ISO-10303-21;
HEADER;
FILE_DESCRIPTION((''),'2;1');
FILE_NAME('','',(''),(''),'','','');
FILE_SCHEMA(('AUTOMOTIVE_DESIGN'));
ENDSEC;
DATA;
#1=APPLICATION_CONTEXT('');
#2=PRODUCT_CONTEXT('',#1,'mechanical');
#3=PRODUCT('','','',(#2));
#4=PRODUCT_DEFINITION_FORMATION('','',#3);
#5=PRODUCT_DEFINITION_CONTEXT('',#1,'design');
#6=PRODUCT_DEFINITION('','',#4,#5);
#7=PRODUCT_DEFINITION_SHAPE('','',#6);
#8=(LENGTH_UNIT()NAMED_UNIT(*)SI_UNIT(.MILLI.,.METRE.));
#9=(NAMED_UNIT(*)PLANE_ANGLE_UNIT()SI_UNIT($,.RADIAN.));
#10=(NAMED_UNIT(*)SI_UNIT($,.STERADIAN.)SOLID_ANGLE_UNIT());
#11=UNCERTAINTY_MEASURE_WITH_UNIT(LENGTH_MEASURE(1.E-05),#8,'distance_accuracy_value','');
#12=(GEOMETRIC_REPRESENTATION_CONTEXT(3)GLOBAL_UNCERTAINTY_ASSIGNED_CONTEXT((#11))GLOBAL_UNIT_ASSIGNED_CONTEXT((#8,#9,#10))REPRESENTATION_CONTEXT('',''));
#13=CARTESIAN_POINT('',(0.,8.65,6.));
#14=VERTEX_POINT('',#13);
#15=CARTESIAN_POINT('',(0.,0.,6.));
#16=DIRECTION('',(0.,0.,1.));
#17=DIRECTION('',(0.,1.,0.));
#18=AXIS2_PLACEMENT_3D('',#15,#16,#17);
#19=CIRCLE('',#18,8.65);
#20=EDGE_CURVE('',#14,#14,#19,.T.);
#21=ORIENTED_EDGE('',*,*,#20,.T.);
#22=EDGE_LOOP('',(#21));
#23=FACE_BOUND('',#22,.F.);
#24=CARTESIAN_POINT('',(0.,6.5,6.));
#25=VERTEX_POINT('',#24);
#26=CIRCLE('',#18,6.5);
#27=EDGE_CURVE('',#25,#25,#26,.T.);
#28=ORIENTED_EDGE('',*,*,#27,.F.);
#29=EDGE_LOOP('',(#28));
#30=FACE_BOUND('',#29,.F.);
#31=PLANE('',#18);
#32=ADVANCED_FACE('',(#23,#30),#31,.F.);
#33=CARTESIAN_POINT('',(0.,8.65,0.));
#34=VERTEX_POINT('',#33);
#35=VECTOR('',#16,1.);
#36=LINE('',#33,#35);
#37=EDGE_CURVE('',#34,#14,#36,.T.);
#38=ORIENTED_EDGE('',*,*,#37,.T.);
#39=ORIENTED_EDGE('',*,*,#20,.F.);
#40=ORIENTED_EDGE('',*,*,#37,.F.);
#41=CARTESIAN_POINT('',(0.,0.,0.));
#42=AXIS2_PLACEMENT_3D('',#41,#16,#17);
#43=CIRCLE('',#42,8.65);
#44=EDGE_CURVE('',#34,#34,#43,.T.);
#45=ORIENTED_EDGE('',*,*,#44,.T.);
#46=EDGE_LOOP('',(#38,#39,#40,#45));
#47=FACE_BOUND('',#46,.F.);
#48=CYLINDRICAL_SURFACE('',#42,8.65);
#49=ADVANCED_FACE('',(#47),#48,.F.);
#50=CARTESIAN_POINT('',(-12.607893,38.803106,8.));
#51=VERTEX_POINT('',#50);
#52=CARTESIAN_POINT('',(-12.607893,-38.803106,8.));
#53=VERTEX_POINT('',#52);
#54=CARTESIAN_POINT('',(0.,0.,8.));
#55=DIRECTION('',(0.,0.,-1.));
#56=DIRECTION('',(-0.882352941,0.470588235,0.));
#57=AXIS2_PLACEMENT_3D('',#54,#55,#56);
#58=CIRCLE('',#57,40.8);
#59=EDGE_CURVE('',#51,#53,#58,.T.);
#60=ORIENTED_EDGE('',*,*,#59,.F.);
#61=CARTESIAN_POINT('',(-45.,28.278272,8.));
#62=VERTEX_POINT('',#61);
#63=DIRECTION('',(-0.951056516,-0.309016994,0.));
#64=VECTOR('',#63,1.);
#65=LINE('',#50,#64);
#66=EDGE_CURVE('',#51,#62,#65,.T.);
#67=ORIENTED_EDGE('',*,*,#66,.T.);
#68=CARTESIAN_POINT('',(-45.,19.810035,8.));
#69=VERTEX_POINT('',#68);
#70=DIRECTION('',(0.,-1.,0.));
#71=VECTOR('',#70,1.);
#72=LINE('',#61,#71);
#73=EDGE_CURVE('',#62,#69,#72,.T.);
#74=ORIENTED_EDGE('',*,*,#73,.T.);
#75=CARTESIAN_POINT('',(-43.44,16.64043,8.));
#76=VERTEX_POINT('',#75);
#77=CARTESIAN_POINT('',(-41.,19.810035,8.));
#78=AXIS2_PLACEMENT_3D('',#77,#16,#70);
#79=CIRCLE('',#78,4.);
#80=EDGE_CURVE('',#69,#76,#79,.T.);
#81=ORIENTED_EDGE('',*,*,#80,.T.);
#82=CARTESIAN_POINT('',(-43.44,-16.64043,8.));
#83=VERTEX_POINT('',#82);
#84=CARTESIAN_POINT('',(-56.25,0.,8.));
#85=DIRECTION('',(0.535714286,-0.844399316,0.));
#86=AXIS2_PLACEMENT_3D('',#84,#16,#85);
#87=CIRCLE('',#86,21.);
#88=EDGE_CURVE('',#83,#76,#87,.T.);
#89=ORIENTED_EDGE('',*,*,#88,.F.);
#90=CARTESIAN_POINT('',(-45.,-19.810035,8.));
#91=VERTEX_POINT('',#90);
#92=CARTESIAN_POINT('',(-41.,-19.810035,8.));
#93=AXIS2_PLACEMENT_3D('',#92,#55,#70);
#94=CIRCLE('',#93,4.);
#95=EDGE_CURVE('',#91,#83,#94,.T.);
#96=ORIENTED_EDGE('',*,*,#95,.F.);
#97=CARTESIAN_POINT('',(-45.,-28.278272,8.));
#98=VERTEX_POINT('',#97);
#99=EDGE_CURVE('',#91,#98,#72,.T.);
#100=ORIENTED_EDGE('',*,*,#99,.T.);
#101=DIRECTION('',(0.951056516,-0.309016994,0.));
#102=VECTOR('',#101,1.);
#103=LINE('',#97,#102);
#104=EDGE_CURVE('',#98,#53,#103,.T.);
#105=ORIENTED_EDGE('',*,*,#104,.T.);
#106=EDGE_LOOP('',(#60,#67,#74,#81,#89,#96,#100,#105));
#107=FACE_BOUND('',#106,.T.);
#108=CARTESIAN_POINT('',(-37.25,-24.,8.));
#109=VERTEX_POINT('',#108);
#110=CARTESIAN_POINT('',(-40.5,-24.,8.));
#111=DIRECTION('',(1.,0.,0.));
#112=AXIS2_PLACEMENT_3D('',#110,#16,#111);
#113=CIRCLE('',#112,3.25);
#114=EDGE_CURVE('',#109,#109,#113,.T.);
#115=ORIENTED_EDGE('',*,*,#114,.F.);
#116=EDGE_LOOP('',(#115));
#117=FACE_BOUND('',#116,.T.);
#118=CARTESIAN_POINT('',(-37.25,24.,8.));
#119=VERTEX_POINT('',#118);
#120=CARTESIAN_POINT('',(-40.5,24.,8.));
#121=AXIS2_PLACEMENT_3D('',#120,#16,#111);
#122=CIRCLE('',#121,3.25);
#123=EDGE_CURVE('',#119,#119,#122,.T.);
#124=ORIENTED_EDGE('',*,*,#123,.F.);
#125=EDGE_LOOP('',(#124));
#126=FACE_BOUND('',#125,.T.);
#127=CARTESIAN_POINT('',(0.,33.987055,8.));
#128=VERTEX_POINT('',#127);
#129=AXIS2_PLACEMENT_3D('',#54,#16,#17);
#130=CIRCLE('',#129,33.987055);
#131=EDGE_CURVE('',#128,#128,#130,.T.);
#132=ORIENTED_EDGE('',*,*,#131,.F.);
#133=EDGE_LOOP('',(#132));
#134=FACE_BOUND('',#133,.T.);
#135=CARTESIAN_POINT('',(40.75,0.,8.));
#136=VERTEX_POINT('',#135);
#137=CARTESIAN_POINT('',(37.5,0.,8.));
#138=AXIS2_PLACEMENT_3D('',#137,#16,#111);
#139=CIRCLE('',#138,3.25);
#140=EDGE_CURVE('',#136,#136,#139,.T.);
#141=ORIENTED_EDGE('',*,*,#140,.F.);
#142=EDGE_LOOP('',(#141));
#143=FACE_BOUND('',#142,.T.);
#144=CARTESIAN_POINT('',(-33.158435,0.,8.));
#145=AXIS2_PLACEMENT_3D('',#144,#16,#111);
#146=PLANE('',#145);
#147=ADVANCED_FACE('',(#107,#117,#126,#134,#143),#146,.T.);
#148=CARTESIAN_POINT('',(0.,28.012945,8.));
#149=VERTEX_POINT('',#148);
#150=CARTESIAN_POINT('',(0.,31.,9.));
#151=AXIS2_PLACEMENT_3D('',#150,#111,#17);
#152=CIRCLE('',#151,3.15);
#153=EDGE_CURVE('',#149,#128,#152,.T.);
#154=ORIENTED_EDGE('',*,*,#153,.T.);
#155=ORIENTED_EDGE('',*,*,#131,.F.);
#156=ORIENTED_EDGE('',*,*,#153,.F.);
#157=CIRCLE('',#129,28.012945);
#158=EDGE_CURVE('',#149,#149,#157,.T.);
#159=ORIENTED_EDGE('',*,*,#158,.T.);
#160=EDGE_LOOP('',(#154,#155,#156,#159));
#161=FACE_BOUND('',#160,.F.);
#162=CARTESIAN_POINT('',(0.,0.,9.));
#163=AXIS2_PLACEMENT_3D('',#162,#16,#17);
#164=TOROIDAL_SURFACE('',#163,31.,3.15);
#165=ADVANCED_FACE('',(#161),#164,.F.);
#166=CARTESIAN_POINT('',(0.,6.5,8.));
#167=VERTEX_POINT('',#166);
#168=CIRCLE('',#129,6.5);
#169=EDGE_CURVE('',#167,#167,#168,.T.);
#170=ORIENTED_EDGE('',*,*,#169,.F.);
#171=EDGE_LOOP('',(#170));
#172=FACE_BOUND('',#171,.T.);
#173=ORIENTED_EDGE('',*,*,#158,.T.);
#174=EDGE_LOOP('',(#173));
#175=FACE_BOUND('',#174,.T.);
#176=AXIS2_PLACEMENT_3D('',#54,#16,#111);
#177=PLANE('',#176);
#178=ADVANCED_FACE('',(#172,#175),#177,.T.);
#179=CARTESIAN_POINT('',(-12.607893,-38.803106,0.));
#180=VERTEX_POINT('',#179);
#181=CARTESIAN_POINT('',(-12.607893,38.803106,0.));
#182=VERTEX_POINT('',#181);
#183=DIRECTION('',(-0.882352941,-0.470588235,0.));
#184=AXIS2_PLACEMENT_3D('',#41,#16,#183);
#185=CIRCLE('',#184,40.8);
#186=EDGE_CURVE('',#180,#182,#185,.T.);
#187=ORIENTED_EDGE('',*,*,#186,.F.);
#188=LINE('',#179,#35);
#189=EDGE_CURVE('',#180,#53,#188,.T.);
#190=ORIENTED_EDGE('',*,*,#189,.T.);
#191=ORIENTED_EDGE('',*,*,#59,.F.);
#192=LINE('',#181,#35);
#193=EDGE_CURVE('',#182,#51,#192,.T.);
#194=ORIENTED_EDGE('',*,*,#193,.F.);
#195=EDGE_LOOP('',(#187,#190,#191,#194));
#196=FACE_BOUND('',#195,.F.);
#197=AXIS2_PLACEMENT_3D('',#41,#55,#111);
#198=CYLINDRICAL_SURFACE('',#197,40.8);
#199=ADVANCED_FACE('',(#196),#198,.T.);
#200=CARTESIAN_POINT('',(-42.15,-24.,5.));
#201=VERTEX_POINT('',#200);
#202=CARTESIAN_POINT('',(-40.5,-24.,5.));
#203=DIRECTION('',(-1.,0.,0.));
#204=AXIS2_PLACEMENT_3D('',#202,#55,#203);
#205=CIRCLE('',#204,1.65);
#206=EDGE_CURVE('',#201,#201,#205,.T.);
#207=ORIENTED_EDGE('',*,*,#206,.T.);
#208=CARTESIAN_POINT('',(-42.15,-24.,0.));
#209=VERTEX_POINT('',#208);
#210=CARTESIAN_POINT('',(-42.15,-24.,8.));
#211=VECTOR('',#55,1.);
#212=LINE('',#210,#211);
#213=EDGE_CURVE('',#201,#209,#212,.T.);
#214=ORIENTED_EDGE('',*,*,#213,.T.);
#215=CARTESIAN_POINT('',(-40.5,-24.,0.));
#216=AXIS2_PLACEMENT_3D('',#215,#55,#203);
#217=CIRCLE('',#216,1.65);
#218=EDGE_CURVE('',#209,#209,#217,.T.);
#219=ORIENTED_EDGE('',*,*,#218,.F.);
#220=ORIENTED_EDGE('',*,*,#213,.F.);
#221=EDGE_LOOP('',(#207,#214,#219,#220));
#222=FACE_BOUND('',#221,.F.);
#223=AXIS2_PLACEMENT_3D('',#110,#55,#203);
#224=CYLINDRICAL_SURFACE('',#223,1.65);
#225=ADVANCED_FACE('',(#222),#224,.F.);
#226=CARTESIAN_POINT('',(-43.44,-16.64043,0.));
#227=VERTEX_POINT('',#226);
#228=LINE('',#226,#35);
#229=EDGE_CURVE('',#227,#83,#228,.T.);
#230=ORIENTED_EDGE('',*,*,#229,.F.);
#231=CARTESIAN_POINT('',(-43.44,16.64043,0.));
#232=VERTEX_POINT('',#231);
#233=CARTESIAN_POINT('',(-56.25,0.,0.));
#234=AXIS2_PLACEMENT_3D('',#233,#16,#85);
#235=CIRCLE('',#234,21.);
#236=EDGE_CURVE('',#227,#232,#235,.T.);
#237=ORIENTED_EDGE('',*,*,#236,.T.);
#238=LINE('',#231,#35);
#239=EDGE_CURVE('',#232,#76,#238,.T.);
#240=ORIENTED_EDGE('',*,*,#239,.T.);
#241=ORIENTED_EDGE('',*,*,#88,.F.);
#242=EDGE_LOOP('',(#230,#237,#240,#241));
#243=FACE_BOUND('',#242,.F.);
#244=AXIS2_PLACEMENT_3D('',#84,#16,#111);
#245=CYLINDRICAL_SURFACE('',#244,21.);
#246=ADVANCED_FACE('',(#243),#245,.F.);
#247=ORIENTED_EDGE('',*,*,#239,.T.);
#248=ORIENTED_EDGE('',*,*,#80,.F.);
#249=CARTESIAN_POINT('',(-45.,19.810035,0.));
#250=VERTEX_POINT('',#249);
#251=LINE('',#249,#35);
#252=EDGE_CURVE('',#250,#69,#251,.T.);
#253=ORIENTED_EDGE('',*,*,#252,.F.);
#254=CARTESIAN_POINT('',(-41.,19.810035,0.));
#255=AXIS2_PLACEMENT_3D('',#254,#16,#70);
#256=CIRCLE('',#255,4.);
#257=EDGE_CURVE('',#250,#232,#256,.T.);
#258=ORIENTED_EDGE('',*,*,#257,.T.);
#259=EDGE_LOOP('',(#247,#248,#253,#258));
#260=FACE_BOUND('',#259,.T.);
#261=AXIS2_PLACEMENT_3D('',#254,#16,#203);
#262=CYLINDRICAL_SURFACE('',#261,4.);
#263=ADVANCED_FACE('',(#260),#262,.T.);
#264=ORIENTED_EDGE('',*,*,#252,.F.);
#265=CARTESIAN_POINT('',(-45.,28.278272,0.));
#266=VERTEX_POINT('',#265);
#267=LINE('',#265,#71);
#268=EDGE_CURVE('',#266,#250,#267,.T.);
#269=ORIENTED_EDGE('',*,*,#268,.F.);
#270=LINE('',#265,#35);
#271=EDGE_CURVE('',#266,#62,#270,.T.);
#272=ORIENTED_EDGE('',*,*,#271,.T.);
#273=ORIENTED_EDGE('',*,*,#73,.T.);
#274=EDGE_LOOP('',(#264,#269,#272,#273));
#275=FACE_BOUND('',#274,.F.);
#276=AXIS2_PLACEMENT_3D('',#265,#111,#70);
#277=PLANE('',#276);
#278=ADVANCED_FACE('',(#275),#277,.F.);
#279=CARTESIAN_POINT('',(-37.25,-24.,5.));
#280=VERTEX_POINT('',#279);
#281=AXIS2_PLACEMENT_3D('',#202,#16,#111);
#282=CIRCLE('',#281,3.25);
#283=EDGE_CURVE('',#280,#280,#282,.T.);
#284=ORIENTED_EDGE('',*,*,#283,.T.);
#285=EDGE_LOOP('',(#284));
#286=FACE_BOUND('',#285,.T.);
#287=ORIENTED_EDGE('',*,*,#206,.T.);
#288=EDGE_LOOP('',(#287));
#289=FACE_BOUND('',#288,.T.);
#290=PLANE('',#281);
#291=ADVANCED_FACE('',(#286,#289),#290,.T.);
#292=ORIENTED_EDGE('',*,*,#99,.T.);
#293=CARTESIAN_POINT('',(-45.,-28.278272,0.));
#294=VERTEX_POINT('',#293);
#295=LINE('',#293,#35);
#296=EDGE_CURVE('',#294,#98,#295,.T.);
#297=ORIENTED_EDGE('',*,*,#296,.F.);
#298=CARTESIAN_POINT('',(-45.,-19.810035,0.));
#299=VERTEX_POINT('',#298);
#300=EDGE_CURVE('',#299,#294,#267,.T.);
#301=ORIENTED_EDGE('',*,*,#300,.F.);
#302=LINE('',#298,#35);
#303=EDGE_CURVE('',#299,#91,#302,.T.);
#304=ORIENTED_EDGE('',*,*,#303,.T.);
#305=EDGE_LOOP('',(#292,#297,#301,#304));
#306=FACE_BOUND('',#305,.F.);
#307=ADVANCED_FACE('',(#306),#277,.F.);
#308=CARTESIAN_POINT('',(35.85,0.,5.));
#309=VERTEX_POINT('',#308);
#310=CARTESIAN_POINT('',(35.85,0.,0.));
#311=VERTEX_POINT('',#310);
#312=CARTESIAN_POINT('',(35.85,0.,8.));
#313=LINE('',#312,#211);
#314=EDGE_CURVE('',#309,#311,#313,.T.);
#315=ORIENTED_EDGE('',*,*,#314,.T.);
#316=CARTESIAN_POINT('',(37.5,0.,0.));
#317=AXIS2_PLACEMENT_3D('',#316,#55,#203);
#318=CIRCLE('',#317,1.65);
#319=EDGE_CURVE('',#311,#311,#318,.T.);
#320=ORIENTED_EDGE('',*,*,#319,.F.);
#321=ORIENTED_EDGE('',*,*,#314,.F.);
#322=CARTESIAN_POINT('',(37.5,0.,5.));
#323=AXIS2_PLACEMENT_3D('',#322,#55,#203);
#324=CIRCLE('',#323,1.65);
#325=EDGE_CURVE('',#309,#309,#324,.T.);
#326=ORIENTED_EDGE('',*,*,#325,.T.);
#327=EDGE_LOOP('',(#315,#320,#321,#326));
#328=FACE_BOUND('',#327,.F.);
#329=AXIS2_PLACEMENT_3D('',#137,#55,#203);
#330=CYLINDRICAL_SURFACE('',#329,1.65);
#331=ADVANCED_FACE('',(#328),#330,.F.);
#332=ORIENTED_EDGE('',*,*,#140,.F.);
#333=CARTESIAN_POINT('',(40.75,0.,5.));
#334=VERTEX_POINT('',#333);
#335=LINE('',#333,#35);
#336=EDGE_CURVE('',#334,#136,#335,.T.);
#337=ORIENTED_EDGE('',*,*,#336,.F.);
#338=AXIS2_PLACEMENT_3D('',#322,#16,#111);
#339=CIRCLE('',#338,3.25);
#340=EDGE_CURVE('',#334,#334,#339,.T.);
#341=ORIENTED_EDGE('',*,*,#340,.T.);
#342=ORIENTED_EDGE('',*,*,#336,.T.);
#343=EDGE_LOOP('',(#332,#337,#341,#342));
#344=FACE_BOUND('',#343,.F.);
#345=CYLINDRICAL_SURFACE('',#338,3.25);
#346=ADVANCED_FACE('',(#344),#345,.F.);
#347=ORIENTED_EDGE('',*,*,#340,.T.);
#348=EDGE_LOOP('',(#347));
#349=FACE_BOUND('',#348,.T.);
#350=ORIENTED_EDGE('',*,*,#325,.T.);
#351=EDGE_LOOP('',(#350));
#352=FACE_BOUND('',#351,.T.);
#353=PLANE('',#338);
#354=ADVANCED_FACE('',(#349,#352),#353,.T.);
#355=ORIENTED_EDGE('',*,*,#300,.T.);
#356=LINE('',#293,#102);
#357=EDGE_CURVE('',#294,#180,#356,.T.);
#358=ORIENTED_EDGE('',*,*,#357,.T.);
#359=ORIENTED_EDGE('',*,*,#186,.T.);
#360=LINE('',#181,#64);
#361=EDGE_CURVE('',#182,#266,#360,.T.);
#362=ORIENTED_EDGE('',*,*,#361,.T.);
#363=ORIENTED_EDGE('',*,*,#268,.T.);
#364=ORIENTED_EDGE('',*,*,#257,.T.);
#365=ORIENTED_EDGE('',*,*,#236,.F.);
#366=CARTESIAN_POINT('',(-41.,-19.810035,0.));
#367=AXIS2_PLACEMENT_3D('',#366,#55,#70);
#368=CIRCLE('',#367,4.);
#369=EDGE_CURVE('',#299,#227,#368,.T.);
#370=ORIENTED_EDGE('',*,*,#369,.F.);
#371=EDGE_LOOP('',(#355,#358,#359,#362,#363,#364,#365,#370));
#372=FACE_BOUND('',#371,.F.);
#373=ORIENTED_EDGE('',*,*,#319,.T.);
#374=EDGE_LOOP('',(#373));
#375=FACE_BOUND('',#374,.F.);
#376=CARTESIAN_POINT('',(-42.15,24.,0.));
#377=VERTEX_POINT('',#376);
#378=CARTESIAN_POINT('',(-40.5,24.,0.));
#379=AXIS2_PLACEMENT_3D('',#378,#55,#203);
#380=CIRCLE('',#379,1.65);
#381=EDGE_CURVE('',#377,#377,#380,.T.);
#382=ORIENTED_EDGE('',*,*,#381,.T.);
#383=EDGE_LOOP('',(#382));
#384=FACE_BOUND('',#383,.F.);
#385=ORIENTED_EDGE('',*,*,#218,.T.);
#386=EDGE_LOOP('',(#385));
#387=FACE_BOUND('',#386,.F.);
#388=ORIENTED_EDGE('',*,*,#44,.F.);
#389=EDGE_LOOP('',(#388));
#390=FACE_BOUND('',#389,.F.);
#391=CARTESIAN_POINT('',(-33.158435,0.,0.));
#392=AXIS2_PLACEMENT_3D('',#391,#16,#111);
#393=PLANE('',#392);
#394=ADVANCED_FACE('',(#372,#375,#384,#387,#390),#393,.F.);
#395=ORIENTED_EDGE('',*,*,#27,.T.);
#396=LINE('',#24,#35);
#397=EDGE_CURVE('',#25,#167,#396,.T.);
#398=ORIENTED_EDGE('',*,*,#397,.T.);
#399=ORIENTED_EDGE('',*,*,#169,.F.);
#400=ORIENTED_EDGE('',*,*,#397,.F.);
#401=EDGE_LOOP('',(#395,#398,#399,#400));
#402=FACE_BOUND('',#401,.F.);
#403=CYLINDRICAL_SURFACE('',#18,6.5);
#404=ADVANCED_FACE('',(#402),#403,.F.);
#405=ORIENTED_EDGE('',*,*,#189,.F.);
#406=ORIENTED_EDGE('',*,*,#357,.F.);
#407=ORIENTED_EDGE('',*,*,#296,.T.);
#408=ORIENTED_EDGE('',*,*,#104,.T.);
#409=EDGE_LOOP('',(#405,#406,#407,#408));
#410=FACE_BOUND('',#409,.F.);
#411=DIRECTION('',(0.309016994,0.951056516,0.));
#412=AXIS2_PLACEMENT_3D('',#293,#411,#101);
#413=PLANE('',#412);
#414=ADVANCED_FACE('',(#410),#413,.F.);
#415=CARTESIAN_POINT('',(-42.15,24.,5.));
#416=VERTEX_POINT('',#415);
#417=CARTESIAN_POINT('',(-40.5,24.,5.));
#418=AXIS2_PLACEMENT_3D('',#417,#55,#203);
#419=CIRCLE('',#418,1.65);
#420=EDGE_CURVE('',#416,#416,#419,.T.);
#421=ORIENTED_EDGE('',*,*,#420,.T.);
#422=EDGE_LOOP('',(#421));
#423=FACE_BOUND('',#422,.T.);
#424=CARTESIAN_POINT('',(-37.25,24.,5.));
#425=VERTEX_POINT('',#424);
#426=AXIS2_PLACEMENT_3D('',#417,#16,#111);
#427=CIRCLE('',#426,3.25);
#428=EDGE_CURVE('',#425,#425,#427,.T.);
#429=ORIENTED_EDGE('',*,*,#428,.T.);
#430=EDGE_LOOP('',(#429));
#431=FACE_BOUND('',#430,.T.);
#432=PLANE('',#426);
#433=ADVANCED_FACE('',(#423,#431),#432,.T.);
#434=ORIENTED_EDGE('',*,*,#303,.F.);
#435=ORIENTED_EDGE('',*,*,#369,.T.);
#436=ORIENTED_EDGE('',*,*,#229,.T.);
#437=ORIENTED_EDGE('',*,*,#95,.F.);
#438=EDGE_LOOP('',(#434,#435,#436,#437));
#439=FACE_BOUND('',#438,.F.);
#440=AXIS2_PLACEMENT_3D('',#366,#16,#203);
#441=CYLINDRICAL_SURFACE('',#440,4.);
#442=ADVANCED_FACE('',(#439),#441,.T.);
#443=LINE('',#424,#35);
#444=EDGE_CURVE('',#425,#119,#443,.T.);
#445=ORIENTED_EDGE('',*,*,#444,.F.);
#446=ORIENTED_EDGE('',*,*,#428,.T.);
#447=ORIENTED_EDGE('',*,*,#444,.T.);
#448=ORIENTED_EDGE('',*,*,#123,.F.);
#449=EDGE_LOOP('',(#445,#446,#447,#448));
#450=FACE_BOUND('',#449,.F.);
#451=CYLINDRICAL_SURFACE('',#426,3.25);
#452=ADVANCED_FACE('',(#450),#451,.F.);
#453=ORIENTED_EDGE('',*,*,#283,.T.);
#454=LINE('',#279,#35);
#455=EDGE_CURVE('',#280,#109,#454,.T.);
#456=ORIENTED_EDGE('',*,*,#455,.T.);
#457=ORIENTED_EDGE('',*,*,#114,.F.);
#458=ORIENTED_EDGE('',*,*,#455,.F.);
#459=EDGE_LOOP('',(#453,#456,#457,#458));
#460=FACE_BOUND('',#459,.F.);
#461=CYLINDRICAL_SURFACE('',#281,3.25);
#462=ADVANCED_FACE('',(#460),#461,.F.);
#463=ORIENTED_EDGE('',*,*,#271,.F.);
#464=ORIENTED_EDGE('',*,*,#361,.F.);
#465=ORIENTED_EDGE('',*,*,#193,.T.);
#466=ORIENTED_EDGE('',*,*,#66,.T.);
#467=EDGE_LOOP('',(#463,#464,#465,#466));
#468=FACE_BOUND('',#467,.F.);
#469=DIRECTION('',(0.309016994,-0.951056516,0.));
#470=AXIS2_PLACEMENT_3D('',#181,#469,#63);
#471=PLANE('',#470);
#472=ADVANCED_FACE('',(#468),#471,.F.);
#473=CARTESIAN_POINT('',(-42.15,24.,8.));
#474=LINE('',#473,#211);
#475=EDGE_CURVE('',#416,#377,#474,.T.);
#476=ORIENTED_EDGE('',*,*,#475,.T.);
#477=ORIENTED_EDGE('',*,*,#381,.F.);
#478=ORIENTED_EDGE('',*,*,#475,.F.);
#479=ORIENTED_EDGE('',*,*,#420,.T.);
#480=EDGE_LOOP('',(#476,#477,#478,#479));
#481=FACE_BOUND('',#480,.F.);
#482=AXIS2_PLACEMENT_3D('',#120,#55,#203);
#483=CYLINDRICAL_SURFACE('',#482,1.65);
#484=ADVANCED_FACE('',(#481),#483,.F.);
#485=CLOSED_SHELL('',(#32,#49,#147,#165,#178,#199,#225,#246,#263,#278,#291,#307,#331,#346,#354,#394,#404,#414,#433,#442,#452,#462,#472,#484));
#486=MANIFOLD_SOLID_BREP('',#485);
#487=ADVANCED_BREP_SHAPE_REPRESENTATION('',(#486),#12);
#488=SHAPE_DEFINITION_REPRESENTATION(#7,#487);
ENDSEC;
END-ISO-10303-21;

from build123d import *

# Parameters (mm, degrees)
F0_R            = 40.8
F1_DEPTH        = 8
F4_R            = 3.15
F6_W            = 4.8
F6_H            = 38.4
F7_DEPTH        = 8.001
F9_DEPTH        = 8
F10_R           = 21
F11_DEPTH       = 8.001
F12_R           = 4
F14_D           = 3.3
F14_CBORE_D     = 6.5
F14_CBORE_DEPTH = 3


with BuildPart() as f1:
    # F0 (on Top) → F1 (new body)
    with BuildSketch(Plane.XY):
        Circle(F0_R)
    extrude(amount=F1_DEPTH)

    # F2 (on Right) → F3 (revolve, cut)
    with BuildSketch(Plane.YZ):
        Polygon((0, 8), (0, 0), (8.65, 0), (8.65, 6), (6.5, 6), (6.5, 8), align=None)
    revolve(axis=Axis((0, 0, 10.7360328796), (0, 0, 1)), mode=Mode.SUBTRACT)

    # F4 (on Right) → F5 (revolve, cut)
    with BuildSketch(Plane.YZ):
        with Locations((31, 9)):
            Circle(F4_R)
    revolve(axis=Axis((0, 0, 6.3867427816), (0, 0, 1)), mode=Mode.SUBTRACT)

    # F6 (on Top) → F7 (cut, through all)
    with BuildSketch(Plane.XY):
        with Locations((-38.4, 0)):
            Rectangle(F6_W, F6_H)
    extrude(amount=F7_DEPTH, mode=Mode.SUBTRACT)

    # F8 (on Top) → F9 (join, through all)
    with BuildSketch(Plane.XY):
        with BuildLine():
            Line((-45, 28.2782724184), (-45, -28.2782724184))
            Line((-45, -28.2782724184), (-12.6078933705, -38.8031058648))
            ThreePointArc((-12.6078933705, -38.8031058648), (-26.2059585661, -31.2711965814), (-36, -19.2))
            Line((-36, -19.2), (-36, 19.2))
            ThreePointArc((-36, 19.2), (-26.2059585661, 31.2711965814), (-12.6078933705, 38.8031058648))
            Line((-12.6078933705, 38.8031058648), (-45, 28.2782724184))
        make_face()
    extrude(amount=F9_DEPTH)

    # F10 (on face) → F11 (cut, through all)
    with BuildSketch(Plane.XY.offset(8)):
        with Locations((-56.25, 0)):
            Circle(F10_R)
    extrude(amount=-F11_DEPTH, mode=Mode.SUBTRACT)

    # F12
    f12_edges = [f1.edges().sort_by_distance(p)[0] for p in [
        (-45, -17.732386, 4),
        (-45, 17.732386, 4),
    ]]
    fillet(f12_edges, radius=F12_R)

    # F14 (through all)
    with Locations(Plane.XY.offset(8)):
        with Locations((-40.5, 24), (-40.5, -24), (37.5, 0)):
            CounterBoreHole(F14_D / 2, F14_CBORE_D / 2, F14_CBORE_DEPTH)


solid = f1.part
